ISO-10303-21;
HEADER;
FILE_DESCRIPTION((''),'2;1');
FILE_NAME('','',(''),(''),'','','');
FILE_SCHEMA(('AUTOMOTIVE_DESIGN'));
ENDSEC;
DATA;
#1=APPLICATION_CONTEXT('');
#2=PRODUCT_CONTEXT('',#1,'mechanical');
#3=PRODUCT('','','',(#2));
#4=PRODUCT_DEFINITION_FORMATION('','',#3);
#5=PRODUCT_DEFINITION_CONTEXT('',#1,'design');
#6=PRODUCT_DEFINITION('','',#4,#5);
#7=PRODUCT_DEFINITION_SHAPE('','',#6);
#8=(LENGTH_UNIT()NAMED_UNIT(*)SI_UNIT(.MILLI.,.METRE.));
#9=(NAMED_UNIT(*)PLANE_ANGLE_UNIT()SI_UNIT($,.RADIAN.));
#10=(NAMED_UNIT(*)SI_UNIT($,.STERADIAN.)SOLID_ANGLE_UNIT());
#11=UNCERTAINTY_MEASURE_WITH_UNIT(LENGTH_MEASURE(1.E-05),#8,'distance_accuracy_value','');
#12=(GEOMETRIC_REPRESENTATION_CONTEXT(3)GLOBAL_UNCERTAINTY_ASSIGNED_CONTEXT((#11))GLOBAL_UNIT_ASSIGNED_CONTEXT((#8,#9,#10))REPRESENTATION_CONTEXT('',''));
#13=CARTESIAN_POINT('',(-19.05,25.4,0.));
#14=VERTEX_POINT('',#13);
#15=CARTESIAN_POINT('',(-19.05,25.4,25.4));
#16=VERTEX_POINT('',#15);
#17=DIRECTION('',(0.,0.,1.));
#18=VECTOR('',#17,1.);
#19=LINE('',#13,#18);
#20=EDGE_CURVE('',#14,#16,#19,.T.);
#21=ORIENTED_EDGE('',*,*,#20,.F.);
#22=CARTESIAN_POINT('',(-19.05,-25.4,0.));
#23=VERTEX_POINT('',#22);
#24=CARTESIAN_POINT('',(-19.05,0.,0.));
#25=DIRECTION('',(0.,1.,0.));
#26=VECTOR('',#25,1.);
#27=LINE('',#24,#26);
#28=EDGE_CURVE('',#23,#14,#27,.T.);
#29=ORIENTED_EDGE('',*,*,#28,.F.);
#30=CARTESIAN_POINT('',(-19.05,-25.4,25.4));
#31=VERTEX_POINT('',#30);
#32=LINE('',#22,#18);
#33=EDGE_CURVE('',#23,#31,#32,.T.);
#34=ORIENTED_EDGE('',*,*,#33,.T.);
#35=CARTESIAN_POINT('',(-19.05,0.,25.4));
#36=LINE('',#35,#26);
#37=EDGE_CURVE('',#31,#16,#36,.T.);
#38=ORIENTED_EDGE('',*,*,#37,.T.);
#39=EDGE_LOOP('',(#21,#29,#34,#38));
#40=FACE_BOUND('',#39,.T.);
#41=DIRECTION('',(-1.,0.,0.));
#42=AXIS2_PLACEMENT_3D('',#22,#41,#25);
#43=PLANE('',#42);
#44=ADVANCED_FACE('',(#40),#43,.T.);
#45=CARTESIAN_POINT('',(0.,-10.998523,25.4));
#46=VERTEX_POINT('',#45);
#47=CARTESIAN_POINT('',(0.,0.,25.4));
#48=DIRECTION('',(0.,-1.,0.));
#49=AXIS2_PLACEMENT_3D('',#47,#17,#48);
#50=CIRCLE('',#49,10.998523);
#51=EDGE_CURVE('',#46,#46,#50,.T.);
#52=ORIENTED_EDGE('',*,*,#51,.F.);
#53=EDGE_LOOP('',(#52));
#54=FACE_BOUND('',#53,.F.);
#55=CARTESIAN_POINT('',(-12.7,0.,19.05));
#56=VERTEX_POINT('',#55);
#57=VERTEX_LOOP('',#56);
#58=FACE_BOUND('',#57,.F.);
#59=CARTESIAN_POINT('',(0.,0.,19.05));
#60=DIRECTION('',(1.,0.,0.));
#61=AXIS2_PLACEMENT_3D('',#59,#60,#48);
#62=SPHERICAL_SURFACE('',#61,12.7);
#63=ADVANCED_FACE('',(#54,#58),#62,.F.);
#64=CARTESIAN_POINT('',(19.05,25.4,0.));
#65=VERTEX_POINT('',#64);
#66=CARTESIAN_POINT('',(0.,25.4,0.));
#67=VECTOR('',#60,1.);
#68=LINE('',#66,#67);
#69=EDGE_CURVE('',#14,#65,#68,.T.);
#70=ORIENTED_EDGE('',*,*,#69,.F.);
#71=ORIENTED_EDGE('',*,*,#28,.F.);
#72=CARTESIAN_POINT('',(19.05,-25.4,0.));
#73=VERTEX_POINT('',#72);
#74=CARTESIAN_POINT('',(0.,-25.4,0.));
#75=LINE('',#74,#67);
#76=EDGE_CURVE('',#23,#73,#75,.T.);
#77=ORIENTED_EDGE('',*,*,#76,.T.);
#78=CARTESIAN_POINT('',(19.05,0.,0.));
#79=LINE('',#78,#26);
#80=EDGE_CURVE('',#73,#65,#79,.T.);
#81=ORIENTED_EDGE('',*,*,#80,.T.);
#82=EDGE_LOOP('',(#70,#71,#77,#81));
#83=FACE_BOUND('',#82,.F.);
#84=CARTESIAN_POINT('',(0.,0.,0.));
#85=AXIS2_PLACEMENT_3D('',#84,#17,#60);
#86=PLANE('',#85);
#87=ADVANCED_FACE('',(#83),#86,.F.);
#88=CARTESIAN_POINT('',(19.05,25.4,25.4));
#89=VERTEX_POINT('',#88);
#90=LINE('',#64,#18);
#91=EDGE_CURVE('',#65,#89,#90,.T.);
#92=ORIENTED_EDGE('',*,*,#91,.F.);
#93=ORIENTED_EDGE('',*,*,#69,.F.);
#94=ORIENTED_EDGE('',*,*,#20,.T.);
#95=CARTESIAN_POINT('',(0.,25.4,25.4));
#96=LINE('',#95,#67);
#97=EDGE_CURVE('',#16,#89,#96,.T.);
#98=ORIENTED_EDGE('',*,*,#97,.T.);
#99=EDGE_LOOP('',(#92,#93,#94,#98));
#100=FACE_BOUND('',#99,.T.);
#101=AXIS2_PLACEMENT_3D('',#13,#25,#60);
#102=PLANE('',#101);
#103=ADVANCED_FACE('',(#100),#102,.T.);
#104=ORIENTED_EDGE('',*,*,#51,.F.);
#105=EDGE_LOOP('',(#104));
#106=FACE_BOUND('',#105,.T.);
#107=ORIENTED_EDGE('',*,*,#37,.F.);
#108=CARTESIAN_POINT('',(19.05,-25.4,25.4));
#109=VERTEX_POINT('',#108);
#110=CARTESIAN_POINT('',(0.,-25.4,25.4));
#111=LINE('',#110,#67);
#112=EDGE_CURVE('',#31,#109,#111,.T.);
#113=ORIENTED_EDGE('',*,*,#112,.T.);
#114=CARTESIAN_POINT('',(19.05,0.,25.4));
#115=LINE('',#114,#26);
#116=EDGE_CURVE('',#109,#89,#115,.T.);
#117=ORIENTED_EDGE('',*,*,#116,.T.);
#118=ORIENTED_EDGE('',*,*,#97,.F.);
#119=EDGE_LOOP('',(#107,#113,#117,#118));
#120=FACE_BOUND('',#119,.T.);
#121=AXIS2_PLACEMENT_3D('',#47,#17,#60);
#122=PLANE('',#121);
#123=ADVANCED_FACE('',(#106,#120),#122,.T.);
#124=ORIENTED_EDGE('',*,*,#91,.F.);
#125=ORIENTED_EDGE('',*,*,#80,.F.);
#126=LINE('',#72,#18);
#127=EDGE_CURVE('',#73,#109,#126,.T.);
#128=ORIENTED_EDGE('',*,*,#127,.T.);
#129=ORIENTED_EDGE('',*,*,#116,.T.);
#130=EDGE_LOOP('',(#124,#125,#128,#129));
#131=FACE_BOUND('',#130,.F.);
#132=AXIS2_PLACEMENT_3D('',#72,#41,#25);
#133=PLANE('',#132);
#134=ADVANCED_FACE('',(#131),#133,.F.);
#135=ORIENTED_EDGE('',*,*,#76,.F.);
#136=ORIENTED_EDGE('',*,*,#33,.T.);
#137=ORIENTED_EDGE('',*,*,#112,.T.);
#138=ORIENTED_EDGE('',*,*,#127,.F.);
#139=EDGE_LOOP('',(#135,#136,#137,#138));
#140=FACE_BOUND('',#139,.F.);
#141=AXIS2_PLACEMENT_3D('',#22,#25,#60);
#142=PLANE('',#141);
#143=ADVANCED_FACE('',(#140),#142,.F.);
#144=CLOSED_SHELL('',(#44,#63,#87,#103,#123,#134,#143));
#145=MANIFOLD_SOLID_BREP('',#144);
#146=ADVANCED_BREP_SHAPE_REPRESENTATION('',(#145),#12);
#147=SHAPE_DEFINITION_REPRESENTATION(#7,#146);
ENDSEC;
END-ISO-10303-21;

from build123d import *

# Parameters (mm, degrees)
F0_W     = 38.1
F0_H     = 50.8
F1_DEPTH = 25.4


with BuildPart() as f1:
    # F0 (on Top) → F1 (new body)
    with BuildSketch(Plane.XY):
        Rectangle(F0_W, F0_H)
    extrude(amount=F1_DEPTH)

    # F3 (on offset) → F4 (revolve, cut)
    with BuildSketch(Plane.XY.offset(19.05)):
        with BuildLine():
            ThreePointArc((-12.7, 0), (0, -12.7), (12.7, 0))
            Line((12.7, 0), (-12.7, 0))
        make_face()
    revolve(axis=Axis((0, 0, 19.05), (1, 0, 0)), mode=Mode.SUBTRACT)


solid = f1.part
